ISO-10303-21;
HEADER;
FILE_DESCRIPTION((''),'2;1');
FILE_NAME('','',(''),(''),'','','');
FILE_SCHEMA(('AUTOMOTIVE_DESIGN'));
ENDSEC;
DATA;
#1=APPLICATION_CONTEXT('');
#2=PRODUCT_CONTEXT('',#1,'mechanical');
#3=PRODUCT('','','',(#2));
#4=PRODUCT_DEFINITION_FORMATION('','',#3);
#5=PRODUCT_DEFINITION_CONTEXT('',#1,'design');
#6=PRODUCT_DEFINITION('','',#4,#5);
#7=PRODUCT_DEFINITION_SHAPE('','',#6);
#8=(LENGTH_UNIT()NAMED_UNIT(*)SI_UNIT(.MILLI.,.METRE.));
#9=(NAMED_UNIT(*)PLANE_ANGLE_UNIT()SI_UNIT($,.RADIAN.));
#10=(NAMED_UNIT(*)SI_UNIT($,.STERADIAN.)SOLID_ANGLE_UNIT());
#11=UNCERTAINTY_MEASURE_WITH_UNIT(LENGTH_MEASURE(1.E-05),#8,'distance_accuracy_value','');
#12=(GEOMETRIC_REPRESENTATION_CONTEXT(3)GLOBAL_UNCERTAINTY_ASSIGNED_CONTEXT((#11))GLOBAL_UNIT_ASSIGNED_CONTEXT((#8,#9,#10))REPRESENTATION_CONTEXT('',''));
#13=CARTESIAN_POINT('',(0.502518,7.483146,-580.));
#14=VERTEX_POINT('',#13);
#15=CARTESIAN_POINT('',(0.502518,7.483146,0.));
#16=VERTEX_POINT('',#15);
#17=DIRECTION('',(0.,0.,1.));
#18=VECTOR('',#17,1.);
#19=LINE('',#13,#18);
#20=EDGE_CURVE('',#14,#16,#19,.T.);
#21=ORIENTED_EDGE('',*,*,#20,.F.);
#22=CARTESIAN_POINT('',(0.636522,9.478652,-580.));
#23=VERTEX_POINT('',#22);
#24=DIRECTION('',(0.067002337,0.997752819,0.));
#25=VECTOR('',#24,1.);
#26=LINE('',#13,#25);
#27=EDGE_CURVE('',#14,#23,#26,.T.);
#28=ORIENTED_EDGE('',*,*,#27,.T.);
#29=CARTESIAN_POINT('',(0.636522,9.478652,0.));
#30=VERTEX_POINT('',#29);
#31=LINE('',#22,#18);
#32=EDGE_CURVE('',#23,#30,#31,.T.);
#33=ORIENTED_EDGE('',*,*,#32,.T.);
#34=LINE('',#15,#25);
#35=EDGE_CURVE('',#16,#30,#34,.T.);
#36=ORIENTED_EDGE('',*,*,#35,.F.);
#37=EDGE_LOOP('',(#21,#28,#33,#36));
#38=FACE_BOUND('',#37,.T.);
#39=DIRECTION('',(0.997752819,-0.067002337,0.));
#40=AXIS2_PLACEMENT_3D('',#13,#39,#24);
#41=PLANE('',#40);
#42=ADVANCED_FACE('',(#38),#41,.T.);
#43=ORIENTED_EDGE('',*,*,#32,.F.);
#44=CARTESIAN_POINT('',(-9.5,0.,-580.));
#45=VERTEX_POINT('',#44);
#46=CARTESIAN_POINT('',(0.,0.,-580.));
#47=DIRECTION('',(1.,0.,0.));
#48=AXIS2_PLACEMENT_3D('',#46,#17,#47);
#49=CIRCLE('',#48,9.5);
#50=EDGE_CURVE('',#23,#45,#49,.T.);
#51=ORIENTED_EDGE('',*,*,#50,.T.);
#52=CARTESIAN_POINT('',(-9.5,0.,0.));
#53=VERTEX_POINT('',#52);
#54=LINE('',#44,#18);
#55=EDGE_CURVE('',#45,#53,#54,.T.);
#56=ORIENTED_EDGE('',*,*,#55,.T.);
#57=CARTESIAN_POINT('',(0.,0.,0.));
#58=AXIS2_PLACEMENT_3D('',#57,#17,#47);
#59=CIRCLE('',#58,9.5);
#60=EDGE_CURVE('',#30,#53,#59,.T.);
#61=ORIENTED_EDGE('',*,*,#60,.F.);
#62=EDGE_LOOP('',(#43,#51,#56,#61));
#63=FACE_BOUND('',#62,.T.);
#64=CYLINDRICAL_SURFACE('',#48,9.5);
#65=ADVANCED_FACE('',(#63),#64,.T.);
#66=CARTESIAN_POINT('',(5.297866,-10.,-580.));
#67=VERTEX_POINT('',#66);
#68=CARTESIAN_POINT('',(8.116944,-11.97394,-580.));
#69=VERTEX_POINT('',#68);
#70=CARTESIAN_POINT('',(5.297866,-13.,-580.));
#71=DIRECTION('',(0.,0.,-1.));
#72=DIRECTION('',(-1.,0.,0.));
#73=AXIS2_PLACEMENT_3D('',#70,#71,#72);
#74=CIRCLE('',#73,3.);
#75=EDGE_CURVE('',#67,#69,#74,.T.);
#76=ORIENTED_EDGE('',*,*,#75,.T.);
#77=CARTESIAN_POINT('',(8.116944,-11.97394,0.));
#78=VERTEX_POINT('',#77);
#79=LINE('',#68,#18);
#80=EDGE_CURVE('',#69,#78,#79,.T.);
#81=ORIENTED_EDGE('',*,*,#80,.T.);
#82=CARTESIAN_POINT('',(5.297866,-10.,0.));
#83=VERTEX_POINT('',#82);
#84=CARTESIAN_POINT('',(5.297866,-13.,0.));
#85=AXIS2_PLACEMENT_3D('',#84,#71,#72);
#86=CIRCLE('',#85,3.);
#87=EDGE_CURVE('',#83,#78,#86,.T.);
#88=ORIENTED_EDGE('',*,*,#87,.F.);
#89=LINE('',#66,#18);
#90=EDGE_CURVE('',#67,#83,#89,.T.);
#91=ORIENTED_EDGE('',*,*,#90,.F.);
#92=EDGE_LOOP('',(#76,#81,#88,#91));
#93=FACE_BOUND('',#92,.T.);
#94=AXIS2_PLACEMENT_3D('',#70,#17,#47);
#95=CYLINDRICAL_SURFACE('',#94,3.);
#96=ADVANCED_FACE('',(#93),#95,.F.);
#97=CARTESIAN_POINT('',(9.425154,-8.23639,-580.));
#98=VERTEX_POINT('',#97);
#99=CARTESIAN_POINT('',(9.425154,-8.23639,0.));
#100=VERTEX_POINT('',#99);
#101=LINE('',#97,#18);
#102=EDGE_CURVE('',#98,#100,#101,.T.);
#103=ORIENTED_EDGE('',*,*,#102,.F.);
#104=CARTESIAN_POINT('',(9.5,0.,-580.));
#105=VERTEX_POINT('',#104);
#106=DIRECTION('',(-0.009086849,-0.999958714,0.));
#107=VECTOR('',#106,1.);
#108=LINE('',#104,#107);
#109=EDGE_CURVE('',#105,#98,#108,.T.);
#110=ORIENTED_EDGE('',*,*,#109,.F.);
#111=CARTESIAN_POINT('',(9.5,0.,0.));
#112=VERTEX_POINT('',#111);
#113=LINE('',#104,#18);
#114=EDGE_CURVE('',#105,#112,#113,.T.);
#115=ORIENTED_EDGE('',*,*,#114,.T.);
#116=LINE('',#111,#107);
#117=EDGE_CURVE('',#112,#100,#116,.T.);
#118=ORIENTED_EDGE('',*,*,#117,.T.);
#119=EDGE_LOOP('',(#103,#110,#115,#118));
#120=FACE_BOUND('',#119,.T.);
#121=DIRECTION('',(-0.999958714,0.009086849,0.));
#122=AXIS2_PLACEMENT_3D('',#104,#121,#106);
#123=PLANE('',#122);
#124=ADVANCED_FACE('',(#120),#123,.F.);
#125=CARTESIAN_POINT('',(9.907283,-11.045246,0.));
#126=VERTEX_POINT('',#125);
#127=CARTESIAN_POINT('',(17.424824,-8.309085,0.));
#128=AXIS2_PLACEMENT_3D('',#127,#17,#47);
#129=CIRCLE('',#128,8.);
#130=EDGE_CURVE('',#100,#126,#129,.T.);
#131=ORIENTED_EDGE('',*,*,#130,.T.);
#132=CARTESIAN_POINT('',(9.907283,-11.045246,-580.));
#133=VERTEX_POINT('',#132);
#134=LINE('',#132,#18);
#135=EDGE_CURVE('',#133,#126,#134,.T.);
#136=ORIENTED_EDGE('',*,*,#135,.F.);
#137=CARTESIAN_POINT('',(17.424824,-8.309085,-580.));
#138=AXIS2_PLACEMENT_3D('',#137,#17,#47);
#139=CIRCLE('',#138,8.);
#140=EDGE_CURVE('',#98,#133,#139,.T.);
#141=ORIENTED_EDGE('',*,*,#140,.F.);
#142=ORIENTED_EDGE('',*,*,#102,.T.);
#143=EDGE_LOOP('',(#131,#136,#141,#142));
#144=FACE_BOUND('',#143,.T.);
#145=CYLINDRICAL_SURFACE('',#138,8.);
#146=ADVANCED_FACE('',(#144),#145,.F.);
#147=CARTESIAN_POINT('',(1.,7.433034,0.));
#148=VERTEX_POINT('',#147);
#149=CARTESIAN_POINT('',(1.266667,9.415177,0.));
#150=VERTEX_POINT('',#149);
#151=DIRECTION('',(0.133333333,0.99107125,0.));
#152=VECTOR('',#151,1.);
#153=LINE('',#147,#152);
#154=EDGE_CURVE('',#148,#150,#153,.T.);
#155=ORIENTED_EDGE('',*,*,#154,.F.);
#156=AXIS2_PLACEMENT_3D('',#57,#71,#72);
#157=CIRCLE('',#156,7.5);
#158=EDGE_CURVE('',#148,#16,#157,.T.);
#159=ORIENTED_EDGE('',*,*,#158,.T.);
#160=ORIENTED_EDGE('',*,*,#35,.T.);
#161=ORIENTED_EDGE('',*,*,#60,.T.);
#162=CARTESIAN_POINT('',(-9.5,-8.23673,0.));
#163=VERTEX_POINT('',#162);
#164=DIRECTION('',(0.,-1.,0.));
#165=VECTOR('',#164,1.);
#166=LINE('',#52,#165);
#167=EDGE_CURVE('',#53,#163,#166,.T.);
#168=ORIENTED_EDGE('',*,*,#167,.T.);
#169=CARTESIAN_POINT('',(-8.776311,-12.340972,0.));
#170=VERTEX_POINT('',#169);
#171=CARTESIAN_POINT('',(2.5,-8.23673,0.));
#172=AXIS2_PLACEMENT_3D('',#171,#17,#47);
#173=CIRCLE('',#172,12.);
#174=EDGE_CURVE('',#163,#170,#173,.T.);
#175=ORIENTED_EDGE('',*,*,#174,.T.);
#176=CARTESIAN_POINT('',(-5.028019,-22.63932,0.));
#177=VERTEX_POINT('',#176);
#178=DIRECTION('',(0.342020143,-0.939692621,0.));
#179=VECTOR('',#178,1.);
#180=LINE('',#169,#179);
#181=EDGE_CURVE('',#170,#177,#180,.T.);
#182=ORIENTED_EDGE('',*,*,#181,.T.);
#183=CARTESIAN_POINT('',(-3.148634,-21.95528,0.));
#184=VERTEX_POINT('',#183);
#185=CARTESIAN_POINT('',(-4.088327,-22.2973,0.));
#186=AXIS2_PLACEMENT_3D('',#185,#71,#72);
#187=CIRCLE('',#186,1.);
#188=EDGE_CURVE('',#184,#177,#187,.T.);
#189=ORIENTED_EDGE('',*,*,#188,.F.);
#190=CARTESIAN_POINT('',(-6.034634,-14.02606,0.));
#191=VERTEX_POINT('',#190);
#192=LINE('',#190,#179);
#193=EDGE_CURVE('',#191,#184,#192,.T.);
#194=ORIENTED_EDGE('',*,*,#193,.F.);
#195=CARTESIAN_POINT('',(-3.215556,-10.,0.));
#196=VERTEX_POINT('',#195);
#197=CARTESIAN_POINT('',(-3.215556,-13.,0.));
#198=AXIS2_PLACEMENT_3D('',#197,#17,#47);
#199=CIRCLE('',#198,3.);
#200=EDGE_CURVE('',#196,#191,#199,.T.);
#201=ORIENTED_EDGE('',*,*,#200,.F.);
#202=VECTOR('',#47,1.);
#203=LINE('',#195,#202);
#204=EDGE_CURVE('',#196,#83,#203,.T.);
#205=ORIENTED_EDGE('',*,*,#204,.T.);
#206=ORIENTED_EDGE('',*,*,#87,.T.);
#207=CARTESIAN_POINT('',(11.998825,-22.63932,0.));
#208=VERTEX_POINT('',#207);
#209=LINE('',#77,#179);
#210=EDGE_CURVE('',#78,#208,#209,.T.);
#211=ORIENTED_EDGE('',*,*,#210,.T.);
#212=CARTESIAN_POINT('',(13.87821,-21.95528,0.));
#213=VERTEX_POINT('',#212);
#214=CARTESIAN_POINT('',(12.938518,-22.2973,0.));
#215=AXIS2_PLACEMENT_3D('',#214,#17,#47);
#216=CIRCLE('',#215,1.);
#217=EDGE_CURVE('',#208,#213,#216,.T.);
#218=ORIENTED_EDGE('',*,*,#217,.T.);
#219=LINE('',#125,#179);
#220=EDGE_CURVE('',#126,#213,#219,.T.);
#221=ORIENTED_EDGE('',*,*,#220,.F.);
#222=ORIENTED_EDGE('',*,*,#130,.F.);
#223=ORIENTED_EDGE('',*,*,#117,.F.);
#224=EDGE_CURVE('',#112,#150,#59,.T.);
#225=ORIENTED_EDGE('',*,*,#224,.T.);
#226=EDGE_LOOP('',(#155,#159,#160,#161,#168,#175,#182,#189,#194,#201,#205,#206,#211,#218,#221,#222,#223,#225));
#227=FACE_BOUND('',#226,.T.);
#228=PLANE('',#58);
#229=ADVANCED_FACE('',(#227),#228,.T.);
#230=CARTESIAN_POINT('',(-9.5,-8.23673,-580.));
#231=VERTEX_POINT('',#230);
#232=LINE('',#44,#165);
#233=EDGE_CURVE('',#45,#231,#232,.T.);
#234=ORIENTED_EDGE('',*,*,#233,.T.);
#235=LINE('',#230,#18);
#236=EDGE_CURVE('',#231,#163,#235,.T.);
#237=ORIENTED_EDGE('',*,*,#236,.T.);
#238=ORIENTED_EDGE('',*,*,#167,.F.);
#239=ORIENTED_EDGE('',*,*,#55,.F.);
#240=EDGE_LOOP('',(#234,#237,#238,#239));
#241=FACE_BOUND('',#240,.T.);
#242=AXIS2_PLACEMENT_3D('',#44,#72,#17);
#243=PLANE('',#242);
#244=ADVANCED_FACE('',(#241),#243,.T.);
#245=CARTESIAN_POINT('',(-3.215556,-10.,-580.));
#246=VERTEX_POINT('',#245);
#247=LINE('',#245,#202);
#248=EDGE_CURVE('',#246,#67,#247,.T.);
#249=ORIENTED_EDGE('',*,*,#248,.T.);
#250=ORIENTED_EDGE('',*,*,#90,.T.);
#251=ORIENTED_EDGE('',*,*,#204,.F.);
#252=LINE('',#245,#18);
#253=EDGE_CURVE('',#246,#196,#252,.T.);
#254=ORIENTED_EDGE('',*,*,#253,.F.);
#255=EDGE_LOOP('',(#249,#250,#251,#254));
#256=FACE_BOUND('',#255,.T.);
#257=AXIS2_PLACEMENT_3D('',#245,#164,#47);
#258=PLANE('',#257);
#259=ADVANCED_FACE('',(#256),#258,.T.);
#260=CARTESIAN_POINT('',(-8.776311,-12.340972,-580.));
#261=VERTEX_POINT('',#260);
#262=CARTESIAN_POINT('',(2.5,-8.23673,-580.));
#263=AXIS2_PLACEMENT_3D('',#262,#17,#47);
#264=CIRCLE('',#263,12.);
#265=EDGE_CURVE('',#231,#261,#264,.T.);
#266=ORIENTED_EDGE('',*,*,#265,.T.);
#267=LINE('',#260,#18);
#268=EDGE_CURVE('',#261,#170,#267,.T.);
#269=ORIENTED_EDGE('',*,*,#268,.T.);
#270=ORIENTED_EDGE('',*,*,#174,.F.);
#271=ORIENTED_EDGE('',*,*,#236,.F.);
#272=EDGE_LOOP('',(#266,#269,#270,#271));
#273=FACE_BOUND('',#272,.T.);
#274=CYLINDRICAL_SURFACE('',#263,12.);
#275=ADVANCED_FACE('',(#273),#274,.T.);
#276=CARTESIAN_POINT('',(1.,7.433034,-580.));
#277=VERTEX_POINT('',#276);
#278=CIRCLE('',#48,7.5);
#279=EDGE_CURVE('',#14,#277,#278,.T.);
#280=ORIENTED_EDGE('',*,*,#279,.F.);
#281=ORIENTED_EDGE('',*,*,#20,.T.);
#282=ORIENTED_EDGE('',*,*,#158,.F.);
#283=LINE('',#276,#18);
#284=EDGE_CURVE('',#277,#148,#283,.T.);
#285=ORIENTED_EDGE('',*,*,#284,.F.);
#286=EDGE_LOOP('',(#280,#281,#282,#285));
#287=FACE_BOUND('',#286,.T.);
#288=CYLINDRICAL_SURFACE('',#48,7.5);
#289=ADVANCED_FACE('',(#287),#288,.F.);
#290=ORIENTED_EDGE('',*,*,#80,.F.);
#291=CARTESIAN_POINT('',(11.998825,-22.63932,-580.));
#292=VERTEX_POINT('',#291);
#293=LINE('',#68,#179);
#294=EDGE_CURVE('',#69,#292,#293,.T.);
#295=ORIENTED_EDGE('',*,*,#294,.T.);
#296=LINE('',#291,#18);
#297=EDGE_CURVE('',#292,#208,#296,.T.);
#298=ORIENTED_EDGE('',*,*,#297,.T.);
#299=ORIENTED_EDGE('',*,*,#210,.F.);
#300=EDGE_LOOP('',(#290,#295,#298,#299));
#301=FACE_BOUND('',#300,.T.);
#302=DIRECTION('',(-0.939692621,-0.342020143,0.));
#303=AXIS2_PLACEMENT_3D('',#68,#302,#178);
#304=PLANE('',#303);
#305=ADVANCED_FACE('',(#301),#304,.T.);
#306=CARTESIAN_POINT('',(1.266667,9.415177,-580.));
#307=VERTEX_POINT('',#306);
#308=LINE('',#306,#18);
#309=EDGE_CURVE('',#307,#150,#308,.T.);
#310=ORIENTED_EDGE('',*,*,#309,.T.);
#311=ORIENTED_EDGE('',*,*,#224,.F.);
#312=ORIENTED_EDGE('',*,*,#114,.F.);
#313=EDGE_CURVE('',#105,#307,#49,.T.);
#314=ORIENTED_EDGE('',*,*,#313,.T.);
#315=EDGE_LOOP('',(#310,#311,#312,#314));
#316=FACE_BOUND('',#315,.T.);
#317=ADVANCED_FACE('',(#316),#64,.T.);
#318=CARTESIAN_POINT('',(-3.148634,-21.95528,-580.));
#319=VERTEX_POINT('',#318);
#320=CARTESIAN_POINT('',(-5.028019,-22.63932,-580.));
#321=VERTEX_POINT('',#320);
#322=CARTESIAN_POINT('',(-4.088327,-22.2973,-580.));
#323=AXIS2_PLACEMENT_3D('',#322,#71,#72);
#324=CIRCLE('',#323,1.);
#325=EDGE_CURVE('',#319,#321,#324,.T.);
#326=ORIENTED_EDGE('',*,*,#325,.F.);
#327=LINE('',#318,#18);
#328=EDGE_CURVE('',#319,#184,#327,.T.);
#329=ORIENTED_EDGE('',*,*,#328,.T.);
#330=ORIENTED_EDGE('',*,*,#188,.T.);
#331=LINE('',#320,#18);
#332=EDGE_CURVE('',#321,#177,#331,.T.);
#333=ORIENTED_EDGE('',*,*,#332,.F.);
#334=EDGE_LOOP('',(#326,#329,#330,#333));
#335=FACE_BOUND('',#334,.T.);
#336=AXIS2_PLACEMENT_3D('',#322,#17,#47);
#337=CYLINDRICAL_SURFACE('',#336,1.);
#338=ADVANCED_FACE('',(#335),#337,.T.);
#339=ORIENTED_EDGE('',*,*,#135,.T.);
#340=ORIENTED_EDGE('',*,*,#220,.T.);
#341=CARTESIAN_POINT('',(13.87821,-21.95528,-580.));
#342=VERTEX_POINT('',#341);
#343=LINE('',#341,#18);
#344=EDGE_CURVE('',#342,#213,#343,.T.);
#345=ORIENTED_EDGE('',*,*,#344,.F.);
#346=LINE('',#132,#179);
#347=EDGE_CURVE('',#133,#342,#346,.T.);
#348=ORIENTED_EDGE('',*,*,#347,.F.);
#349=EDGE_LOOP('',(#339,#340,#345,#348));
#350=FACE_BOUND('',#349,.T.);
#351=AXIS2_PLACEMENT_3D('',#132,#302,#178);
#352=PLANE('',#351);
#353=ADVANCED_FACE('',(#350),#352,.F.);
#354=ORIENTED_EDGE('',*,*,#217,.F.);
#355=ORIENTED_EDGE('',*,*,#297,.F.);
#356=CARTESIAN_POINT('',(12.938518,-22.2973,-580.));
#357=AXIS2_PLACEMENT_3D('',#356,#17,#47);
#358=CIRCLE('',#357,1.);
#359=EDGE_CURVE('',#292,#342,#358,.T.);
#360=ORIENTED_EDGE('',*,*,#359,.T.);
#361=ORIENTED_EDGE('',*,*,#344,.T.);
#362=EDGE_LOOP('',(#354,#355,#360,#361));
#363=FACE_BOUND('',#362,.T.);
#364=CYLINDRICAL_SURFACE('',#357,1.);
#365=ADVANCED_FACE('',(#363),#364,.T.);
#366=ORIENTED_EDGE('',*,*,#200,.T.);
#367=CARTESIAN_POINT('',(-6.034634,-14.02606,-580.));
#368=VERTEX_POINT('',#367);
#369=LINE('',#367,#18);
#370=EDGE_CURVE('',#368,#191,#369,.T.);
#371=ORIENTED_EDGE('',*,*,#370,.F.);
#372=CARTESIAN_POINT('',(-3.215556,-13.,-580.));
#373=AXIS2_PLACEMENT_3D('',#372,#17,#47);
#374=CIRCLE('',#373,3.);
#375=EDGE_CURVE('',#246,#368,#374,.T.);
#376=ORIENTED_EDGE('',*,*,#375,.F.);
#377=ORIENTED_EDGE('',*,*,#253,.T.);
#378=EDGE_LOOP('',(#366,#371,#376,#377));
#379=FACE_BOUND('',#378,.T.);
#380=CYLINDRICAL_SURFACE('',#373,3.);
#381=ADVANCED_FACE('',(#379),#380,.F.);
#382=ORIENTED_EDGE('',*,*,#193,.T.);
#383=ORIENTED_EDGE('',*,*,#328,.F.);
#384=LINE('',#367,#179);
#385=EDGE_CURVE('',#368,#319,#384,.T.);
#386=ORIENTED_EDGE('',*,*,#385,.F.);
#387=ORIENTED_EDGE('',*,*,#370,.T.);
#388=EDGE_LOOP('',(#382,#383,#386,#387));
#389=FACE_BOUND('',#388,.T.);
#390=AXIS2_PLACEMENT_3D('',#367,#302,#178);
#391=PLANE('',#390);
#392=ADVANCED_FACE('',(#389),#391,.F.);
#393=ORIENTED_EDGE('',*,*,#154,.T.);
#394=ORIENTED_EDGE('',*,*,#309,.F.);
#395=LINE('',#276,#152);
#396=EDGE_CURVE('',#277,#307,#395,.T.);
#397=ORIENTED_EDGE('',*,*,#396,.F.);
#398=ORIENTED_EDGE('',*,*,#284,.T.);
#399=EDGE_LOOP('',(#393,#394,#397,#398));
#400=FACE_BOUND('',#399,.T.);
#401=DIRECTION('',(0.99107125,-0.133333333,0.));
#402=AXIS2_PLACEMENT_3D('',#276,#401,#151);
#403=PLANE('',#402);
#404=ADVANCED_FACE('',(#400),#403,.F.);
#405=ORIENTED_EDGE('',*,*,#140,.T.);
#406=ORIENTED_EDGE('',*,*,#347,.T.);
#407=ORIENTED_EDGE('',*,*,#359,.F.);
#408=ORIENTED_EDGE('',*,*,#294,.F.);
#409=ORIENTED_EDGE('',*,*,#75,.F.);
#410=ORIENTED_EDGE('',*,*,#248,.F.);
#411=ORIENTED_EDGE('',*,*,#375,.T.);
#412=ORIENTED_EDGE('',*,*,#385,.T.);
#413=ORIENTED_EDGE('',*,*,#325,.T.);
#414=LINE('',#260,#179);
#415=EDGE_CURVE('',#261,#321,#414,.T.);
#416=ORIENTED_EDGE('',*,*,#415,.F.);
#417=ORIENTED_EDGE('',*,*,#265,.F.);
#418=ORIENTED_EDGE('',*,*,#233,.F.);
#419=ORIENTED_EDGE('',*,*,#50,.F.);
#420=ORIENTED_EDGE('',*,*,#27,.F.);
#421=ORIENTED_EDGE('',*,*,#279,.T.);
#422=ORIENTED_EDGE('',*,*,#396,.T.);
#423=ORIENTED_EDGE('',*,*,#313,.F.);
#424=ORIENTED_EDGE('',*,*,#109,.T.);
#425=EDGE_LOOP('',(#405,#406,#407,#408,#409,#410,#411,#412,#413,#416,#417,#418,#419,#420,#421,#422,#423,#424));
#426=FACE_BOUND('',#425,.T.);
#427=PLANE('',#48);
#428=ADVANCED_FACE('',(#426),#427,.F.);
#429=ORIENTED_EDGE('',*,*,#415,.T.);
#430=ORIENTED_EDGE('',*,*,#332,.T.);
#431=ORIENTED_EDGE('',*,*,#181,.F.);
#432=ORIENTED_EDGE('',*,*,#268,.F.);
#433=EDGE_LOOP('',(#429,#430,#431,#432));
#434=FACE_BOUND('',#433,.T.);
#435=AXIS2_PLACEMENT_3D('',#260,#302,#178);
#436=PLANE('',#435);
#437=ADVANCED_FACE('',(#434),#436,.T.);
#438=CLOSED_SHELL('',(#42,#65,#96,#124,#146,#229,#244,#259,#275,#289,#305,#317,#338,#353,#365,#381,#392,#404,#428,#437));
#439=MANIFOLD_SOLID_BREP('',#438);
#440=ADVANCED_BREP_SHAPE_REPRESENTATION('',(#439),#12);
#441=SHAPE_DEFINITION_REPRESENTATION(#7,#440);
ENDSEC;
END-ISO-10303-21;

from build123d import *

# Parameters (mm, degrees)
BOSS_EXTRUDE1_DEPTH = 580


with BuildPart() as part:
    # Sketch3 → Boss-Extrude1 (new body)
    with BuildSketch(Plane.XY):
        with BuildLine():
            Line((-6.034633842, -14.02606043), (-3.148633912, -21.955280071))
            ThreePointArc((-3.148633912, -21.955280071), (-3.746306389, -23.236992835), (-5.028019153, -22.639320358))
            Line((-5.028019153, -22.639320358), (-8.776311449, -12.340971913))
            ThreePointArc((-8.776311449, -12.340971913), (-9.317693036, -10.320508325), (-9.5, -8.236730193))
            Line((-9.5, -8.236730193), (-9.5, 0))
            ThreePointArc((-9.5, 0), (-6.488568374, 6.93891061), (0.636522201, 9.478651776))
            Line((0.636522201, 9.478651776), (0.502517527, 7.483146139))
            ThreePointArc((0.502517527, 7.483146139), (-5.12255398, 5.478087324), (-7.5, 0))
            ThreePointArc((-7.5, 0), (0, -7.5), (7.5, 0))
            ThreePointArc((7.5, 0), (5.645794895, 4.937104415), (1, 7.433034374))
            Line((1, 7.433034374), (1.266666667, 9.415176873))
            ThreePointArc((1.266666667, 9.415176873), (7.151340201, 6.253665592), (9.5, 0))
            Line((9.5, 0), (9.425154073, -8.236390129))
            ThreePointArc((9.425154073, -8.236390129), (9.540131353, -9.662460438), (9.907282817, -11.045246071))
            Line((9.907282817, -11.045246071), (13.878210448, -21.955280071))
            ThreePointArc((13.878210448, -21.955280071), (13.28053797, -23.236992835), (11.998825206, -22.639320358))
            Line((11.998825206, -22.639320358), (8.116944062, -11.97393957))
            ThreePointArc((8.116944062, -11.97393957), (7.018595509, -10.542543867), (5.2978662, -10))
            Line((5.2978662, -10), (-3.21555598, -10))
            ThreePointArc((-3.21555598, -10), (-5.673012113, -11.279270691), (-6.034633842, -14.02606043))
        make_face()
    extrude(amount=-BOSS_EXTRUDE1_DEPTH)


solid = part.part
